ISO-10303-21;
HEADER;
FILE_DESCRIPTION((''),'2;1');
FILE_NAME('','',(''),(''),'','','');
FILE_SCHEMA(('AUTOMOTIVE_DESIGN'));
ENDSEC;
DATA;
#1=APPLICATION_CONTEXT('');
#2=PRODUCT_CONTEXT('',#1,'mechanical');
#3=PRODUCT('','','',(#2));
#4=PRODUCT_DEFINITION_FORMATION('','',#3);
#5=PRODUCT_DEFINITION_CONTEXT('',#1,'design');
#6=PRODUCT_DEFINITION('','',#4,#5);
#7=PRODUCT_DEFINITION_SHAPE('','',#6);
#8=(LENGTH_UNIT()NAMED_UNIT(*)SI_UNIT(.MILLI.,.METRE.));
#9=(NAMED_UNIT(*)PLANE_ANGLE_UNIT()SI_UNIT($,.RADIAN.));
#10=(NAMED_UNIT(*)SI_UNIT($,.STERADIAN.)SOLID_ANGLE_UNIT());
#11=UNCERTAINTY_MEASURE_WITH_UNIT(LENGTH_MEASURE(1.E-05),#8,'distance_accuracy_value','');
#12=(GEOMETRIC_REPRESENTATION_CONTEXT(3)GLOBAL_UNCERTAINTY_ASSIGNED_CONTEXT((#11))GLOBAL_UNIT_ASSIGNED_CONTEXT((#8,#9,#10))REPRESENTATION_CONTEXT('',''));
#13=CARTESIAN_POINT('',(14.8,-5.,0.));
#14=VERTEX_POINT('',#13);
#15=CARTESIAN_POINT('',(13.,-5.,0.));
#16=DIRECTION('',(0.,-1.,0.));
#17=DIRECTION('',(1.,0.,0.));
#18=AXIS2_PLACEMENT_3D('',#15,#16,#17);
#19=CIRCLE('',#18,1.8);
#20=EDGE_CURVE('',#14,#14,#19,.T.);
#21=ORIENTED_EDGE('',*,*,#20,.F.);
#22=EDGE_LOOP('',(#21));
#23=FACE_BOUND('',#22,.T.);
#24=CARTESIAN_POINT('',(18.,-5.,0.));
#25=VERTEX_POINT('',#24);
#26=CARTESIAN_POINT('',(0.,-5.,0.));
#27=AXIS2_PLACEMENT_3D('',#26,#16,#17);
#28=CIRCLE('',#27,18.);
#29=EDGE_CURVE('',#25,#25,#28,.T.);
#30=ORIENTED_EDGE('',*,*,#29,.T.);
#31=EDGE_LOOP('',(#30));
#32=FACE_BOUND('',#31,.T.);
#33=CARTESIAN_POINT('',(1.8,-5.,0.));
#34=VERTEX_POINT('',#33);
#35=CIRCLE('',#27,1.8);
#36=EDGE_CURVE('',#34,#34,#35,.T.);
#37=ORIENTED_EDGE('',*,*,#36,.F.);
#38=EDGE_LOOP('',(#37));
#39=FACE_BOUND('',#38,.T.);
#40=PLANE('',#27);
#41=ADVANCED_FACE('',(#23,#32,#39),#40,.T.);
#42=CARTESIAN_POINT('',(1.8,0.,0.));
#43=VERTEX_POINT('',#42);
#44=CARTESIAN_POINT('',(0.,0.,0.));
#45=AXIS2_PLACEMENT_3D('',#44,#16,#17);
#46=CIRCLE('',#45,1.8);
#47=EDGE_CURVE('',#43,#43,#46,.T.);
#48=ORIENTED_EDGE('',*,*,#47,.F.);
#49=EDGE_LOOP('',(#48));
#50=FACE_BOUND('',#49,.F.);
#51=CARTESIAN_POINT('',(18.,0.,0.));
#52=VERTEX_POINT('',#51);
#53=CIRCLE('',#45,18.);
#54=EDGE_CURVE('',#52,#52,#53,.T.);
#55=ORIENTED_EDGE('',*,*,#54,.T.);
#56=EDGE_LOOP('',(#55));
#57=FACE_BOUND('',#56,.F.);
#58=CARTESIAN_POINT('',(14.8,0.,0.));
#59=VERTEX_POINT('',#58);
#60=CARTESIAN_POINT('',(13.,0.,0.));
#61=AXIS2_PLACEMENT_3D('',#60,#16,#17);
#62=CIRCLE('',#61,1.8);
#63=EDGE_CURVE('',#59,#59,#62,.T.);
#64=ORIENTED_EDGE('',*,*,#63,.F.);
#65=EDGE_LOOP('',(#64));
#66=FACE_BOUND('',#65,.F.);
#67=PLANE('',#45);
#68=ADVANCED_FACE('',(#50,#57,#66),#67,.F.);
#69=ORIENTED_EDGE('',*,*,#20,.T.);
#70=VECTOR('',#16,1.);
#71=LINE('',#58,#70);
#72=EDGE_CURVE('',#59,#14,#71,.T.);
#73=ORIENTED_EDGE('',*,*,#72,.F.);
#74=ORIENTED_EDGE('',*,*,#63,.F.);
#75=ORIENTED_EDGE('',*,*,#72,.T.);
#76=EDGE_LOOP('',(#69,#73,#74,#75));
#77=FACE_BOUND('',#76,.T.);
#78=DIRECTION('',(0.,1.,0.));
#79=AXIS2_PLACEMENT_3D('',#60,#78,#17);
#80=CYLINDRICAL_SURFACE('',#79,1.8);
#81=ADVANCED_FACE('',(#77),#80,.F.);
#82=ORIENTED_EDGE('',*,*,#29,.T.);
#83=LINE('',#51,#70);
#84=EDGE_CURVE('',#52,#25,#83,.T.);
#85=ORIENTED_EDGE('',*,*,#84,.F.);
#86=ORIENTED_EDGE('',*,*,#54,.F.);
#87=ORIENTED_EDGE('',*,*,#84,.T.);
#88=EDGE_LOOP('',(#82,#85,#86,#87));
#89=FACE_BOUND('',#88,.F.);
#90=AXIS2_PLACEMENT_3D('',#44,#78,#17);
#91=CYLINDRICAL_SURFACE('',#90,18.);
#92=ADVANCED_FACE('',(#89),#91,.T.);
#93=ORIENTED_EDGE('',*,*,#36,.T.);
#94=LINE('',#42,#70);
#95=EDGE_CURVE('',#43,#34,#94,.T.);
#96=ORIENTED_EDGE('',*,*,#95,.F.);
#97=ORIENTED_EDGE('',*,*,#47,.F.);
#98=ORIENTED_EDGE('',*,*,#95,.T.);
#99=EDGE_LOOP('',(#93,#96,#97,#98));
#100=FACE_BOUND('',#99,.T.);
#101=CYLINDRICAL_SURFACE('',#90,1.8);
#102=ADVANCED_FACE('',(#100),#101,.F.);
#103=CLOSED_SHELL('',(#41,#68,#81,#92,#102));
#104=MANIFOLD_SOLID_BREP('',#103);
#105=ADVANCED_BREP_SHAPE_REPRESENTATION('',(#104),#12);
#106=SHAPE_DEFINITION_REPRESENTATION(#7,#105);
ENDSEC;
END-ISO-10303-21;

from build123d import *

# Parameters (mm, degrees)
F0_R     = 18
F0_R_2   = 1.8
F1_DEPTH = 5


with BuildPart() as f1:
    # F0 (on Front) → F1 (new body)
    with BuildSketch(Plane.XZ):
        Circle(F0_R)
        Circle(F0_R_2, mode=Mode.SUBTRACT)
        with Locations((13, 0)):
            Circle(F0_R_2, mode=Mode.SUBTRACT)
    extrude(amount=F1_DEPTH)


solid = f1.part
